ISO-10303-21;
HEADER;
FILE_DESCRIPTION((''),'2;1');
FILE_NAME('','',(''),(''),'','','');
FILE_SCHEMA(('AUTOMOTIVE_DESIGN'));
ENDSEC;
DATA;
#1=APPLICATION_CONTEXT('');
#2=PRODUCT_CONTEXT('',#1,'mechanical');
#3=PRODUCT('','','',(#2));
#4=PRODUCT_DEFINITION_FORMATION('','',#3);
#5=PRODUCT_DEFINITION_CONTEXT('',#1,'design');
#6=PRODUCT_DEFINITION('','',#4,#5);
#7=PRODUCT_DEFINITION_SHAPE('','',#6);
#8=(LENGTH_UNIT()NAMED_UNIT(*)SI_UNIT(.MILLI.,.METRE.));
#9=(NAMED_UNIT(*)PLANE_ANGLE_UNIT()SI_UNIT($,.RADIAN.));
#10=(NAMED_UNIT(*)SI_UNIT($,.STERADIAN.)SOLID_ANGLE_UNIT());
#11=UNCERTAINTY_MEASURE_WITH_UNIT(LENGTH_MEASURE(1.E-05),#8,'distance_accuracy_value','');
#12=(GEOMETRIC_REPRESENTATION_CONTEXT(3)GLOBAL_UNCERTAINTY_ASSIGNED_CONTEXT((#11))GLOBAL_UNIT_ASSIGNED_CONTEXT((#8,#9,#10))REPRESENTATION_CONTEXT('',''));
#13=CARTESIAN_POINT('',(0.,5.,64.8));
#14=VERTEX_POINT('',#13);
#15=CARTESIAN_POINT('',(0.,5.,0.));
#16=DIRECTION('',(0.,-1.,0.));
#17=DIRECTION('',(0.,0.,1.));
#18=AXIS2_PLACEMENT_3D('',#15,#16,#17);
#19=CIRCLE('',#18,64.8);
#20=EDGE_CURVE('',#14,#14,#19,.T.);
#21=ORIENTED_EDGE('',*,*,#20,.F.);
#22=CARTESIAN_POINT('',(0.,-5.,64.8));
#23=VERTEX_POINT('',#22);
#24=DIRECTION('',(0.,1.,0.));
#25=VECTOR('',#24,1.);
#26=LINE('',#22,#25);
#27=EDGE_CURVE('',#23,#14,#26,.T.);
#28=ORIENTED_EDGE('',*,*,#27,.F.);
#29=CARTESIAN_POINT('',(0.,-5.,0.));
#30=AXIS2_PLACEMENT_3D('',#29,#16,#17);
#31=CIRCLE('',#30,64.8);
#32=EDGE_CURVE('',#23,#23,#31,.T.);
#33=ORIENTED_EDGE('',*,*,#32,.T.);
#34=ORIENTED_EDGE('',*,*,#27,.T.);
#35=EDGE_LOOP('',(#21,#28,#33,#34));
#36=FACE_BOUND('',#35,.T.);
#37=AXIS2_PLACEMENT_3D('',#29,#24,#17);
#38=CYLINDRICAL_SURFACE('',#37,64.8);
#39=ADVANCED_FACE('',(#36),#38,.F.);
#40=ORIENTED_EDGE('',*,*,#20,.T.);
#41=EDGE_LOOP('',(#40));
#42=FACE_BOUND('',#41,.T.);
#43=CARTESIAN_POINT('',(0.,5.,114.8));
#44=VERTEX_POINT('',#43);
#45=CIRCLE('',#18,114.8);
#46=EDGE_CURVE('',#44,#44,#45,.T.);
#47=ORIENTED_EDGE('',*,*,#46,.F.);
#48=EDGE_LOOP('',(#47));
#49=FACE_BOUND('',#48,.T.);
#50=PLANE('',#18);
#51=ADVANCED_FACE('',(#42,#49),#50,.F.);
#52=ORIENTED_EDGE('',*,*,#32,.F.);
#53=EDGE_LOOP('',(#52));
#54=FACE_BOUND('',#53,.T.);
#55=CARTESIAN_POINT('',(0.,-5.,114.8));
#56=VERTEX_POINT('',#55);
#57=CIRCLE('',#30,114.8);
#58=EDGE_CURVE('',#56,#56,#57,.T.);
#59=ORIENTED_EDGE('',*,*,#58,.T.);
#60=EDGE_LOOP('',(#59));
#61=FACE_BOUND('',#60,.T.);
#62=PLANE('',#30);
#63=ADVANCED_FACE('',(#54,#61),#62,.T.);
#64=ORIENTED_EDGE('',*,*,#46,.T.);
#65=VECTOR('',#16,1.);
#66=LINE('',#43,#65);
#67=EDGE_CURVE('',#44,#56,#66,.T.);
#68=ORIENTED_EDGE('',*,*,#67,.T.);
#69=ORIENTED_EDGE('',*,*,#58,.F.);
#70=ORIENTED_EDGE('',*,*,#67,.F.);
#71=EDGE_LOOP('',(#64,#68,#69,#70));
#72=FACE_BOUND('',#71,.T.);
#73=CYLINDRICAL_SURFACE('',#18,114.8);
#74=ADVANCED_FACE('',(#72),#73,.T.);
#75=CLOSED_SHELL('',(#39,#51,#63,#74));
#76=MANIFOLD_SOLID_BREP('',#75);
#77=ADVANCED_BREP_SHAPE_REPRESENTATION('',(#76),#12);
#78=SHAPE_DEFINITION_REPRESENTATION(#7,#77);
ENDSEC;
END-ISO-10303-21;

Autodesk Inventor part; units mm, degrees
ref_plane "YZ Plane" through (0, 0, 0) normal (1, 0, 0) x (0, 1, 0)
ref_plane "XZ Plane" through (0, 0, 0) normal (0, 1, 0) x (-1, 0, 0)
ref_plane "XY Plane" through (0, 0, 0) normal (0, 0, 1) x (1, 0, 0)
sketch "Sketch2" plane through (0, 0, 0) normal (1, 0, 0) x (0, 1, 0)
  line L0 (5, 114.8) -> (-5, 114.8)
  line L1 (-5, 114.8) -> (-5, 64.8)
  line L2 (-5, 64.8) -> (5, 64.8)
  line L3 (5, 64.8) -> (5, 114.8)
  line L4 (13.1651, 0) -> (-13.1651, 0)
  point P0 (0, 0)
  point P1 (0, 0)
  point P2 (0, 64.8)
  dimension "height" = 10
  dimension "crossSection" = 50
  dimension "externalDiameter_coll" = 229.6
revolve "Revolution1" add sketch "Sketch2" angle 360 about axis through (0, 13.1651, 0) along (0, -1, 0)
properties part number "partDoc"
